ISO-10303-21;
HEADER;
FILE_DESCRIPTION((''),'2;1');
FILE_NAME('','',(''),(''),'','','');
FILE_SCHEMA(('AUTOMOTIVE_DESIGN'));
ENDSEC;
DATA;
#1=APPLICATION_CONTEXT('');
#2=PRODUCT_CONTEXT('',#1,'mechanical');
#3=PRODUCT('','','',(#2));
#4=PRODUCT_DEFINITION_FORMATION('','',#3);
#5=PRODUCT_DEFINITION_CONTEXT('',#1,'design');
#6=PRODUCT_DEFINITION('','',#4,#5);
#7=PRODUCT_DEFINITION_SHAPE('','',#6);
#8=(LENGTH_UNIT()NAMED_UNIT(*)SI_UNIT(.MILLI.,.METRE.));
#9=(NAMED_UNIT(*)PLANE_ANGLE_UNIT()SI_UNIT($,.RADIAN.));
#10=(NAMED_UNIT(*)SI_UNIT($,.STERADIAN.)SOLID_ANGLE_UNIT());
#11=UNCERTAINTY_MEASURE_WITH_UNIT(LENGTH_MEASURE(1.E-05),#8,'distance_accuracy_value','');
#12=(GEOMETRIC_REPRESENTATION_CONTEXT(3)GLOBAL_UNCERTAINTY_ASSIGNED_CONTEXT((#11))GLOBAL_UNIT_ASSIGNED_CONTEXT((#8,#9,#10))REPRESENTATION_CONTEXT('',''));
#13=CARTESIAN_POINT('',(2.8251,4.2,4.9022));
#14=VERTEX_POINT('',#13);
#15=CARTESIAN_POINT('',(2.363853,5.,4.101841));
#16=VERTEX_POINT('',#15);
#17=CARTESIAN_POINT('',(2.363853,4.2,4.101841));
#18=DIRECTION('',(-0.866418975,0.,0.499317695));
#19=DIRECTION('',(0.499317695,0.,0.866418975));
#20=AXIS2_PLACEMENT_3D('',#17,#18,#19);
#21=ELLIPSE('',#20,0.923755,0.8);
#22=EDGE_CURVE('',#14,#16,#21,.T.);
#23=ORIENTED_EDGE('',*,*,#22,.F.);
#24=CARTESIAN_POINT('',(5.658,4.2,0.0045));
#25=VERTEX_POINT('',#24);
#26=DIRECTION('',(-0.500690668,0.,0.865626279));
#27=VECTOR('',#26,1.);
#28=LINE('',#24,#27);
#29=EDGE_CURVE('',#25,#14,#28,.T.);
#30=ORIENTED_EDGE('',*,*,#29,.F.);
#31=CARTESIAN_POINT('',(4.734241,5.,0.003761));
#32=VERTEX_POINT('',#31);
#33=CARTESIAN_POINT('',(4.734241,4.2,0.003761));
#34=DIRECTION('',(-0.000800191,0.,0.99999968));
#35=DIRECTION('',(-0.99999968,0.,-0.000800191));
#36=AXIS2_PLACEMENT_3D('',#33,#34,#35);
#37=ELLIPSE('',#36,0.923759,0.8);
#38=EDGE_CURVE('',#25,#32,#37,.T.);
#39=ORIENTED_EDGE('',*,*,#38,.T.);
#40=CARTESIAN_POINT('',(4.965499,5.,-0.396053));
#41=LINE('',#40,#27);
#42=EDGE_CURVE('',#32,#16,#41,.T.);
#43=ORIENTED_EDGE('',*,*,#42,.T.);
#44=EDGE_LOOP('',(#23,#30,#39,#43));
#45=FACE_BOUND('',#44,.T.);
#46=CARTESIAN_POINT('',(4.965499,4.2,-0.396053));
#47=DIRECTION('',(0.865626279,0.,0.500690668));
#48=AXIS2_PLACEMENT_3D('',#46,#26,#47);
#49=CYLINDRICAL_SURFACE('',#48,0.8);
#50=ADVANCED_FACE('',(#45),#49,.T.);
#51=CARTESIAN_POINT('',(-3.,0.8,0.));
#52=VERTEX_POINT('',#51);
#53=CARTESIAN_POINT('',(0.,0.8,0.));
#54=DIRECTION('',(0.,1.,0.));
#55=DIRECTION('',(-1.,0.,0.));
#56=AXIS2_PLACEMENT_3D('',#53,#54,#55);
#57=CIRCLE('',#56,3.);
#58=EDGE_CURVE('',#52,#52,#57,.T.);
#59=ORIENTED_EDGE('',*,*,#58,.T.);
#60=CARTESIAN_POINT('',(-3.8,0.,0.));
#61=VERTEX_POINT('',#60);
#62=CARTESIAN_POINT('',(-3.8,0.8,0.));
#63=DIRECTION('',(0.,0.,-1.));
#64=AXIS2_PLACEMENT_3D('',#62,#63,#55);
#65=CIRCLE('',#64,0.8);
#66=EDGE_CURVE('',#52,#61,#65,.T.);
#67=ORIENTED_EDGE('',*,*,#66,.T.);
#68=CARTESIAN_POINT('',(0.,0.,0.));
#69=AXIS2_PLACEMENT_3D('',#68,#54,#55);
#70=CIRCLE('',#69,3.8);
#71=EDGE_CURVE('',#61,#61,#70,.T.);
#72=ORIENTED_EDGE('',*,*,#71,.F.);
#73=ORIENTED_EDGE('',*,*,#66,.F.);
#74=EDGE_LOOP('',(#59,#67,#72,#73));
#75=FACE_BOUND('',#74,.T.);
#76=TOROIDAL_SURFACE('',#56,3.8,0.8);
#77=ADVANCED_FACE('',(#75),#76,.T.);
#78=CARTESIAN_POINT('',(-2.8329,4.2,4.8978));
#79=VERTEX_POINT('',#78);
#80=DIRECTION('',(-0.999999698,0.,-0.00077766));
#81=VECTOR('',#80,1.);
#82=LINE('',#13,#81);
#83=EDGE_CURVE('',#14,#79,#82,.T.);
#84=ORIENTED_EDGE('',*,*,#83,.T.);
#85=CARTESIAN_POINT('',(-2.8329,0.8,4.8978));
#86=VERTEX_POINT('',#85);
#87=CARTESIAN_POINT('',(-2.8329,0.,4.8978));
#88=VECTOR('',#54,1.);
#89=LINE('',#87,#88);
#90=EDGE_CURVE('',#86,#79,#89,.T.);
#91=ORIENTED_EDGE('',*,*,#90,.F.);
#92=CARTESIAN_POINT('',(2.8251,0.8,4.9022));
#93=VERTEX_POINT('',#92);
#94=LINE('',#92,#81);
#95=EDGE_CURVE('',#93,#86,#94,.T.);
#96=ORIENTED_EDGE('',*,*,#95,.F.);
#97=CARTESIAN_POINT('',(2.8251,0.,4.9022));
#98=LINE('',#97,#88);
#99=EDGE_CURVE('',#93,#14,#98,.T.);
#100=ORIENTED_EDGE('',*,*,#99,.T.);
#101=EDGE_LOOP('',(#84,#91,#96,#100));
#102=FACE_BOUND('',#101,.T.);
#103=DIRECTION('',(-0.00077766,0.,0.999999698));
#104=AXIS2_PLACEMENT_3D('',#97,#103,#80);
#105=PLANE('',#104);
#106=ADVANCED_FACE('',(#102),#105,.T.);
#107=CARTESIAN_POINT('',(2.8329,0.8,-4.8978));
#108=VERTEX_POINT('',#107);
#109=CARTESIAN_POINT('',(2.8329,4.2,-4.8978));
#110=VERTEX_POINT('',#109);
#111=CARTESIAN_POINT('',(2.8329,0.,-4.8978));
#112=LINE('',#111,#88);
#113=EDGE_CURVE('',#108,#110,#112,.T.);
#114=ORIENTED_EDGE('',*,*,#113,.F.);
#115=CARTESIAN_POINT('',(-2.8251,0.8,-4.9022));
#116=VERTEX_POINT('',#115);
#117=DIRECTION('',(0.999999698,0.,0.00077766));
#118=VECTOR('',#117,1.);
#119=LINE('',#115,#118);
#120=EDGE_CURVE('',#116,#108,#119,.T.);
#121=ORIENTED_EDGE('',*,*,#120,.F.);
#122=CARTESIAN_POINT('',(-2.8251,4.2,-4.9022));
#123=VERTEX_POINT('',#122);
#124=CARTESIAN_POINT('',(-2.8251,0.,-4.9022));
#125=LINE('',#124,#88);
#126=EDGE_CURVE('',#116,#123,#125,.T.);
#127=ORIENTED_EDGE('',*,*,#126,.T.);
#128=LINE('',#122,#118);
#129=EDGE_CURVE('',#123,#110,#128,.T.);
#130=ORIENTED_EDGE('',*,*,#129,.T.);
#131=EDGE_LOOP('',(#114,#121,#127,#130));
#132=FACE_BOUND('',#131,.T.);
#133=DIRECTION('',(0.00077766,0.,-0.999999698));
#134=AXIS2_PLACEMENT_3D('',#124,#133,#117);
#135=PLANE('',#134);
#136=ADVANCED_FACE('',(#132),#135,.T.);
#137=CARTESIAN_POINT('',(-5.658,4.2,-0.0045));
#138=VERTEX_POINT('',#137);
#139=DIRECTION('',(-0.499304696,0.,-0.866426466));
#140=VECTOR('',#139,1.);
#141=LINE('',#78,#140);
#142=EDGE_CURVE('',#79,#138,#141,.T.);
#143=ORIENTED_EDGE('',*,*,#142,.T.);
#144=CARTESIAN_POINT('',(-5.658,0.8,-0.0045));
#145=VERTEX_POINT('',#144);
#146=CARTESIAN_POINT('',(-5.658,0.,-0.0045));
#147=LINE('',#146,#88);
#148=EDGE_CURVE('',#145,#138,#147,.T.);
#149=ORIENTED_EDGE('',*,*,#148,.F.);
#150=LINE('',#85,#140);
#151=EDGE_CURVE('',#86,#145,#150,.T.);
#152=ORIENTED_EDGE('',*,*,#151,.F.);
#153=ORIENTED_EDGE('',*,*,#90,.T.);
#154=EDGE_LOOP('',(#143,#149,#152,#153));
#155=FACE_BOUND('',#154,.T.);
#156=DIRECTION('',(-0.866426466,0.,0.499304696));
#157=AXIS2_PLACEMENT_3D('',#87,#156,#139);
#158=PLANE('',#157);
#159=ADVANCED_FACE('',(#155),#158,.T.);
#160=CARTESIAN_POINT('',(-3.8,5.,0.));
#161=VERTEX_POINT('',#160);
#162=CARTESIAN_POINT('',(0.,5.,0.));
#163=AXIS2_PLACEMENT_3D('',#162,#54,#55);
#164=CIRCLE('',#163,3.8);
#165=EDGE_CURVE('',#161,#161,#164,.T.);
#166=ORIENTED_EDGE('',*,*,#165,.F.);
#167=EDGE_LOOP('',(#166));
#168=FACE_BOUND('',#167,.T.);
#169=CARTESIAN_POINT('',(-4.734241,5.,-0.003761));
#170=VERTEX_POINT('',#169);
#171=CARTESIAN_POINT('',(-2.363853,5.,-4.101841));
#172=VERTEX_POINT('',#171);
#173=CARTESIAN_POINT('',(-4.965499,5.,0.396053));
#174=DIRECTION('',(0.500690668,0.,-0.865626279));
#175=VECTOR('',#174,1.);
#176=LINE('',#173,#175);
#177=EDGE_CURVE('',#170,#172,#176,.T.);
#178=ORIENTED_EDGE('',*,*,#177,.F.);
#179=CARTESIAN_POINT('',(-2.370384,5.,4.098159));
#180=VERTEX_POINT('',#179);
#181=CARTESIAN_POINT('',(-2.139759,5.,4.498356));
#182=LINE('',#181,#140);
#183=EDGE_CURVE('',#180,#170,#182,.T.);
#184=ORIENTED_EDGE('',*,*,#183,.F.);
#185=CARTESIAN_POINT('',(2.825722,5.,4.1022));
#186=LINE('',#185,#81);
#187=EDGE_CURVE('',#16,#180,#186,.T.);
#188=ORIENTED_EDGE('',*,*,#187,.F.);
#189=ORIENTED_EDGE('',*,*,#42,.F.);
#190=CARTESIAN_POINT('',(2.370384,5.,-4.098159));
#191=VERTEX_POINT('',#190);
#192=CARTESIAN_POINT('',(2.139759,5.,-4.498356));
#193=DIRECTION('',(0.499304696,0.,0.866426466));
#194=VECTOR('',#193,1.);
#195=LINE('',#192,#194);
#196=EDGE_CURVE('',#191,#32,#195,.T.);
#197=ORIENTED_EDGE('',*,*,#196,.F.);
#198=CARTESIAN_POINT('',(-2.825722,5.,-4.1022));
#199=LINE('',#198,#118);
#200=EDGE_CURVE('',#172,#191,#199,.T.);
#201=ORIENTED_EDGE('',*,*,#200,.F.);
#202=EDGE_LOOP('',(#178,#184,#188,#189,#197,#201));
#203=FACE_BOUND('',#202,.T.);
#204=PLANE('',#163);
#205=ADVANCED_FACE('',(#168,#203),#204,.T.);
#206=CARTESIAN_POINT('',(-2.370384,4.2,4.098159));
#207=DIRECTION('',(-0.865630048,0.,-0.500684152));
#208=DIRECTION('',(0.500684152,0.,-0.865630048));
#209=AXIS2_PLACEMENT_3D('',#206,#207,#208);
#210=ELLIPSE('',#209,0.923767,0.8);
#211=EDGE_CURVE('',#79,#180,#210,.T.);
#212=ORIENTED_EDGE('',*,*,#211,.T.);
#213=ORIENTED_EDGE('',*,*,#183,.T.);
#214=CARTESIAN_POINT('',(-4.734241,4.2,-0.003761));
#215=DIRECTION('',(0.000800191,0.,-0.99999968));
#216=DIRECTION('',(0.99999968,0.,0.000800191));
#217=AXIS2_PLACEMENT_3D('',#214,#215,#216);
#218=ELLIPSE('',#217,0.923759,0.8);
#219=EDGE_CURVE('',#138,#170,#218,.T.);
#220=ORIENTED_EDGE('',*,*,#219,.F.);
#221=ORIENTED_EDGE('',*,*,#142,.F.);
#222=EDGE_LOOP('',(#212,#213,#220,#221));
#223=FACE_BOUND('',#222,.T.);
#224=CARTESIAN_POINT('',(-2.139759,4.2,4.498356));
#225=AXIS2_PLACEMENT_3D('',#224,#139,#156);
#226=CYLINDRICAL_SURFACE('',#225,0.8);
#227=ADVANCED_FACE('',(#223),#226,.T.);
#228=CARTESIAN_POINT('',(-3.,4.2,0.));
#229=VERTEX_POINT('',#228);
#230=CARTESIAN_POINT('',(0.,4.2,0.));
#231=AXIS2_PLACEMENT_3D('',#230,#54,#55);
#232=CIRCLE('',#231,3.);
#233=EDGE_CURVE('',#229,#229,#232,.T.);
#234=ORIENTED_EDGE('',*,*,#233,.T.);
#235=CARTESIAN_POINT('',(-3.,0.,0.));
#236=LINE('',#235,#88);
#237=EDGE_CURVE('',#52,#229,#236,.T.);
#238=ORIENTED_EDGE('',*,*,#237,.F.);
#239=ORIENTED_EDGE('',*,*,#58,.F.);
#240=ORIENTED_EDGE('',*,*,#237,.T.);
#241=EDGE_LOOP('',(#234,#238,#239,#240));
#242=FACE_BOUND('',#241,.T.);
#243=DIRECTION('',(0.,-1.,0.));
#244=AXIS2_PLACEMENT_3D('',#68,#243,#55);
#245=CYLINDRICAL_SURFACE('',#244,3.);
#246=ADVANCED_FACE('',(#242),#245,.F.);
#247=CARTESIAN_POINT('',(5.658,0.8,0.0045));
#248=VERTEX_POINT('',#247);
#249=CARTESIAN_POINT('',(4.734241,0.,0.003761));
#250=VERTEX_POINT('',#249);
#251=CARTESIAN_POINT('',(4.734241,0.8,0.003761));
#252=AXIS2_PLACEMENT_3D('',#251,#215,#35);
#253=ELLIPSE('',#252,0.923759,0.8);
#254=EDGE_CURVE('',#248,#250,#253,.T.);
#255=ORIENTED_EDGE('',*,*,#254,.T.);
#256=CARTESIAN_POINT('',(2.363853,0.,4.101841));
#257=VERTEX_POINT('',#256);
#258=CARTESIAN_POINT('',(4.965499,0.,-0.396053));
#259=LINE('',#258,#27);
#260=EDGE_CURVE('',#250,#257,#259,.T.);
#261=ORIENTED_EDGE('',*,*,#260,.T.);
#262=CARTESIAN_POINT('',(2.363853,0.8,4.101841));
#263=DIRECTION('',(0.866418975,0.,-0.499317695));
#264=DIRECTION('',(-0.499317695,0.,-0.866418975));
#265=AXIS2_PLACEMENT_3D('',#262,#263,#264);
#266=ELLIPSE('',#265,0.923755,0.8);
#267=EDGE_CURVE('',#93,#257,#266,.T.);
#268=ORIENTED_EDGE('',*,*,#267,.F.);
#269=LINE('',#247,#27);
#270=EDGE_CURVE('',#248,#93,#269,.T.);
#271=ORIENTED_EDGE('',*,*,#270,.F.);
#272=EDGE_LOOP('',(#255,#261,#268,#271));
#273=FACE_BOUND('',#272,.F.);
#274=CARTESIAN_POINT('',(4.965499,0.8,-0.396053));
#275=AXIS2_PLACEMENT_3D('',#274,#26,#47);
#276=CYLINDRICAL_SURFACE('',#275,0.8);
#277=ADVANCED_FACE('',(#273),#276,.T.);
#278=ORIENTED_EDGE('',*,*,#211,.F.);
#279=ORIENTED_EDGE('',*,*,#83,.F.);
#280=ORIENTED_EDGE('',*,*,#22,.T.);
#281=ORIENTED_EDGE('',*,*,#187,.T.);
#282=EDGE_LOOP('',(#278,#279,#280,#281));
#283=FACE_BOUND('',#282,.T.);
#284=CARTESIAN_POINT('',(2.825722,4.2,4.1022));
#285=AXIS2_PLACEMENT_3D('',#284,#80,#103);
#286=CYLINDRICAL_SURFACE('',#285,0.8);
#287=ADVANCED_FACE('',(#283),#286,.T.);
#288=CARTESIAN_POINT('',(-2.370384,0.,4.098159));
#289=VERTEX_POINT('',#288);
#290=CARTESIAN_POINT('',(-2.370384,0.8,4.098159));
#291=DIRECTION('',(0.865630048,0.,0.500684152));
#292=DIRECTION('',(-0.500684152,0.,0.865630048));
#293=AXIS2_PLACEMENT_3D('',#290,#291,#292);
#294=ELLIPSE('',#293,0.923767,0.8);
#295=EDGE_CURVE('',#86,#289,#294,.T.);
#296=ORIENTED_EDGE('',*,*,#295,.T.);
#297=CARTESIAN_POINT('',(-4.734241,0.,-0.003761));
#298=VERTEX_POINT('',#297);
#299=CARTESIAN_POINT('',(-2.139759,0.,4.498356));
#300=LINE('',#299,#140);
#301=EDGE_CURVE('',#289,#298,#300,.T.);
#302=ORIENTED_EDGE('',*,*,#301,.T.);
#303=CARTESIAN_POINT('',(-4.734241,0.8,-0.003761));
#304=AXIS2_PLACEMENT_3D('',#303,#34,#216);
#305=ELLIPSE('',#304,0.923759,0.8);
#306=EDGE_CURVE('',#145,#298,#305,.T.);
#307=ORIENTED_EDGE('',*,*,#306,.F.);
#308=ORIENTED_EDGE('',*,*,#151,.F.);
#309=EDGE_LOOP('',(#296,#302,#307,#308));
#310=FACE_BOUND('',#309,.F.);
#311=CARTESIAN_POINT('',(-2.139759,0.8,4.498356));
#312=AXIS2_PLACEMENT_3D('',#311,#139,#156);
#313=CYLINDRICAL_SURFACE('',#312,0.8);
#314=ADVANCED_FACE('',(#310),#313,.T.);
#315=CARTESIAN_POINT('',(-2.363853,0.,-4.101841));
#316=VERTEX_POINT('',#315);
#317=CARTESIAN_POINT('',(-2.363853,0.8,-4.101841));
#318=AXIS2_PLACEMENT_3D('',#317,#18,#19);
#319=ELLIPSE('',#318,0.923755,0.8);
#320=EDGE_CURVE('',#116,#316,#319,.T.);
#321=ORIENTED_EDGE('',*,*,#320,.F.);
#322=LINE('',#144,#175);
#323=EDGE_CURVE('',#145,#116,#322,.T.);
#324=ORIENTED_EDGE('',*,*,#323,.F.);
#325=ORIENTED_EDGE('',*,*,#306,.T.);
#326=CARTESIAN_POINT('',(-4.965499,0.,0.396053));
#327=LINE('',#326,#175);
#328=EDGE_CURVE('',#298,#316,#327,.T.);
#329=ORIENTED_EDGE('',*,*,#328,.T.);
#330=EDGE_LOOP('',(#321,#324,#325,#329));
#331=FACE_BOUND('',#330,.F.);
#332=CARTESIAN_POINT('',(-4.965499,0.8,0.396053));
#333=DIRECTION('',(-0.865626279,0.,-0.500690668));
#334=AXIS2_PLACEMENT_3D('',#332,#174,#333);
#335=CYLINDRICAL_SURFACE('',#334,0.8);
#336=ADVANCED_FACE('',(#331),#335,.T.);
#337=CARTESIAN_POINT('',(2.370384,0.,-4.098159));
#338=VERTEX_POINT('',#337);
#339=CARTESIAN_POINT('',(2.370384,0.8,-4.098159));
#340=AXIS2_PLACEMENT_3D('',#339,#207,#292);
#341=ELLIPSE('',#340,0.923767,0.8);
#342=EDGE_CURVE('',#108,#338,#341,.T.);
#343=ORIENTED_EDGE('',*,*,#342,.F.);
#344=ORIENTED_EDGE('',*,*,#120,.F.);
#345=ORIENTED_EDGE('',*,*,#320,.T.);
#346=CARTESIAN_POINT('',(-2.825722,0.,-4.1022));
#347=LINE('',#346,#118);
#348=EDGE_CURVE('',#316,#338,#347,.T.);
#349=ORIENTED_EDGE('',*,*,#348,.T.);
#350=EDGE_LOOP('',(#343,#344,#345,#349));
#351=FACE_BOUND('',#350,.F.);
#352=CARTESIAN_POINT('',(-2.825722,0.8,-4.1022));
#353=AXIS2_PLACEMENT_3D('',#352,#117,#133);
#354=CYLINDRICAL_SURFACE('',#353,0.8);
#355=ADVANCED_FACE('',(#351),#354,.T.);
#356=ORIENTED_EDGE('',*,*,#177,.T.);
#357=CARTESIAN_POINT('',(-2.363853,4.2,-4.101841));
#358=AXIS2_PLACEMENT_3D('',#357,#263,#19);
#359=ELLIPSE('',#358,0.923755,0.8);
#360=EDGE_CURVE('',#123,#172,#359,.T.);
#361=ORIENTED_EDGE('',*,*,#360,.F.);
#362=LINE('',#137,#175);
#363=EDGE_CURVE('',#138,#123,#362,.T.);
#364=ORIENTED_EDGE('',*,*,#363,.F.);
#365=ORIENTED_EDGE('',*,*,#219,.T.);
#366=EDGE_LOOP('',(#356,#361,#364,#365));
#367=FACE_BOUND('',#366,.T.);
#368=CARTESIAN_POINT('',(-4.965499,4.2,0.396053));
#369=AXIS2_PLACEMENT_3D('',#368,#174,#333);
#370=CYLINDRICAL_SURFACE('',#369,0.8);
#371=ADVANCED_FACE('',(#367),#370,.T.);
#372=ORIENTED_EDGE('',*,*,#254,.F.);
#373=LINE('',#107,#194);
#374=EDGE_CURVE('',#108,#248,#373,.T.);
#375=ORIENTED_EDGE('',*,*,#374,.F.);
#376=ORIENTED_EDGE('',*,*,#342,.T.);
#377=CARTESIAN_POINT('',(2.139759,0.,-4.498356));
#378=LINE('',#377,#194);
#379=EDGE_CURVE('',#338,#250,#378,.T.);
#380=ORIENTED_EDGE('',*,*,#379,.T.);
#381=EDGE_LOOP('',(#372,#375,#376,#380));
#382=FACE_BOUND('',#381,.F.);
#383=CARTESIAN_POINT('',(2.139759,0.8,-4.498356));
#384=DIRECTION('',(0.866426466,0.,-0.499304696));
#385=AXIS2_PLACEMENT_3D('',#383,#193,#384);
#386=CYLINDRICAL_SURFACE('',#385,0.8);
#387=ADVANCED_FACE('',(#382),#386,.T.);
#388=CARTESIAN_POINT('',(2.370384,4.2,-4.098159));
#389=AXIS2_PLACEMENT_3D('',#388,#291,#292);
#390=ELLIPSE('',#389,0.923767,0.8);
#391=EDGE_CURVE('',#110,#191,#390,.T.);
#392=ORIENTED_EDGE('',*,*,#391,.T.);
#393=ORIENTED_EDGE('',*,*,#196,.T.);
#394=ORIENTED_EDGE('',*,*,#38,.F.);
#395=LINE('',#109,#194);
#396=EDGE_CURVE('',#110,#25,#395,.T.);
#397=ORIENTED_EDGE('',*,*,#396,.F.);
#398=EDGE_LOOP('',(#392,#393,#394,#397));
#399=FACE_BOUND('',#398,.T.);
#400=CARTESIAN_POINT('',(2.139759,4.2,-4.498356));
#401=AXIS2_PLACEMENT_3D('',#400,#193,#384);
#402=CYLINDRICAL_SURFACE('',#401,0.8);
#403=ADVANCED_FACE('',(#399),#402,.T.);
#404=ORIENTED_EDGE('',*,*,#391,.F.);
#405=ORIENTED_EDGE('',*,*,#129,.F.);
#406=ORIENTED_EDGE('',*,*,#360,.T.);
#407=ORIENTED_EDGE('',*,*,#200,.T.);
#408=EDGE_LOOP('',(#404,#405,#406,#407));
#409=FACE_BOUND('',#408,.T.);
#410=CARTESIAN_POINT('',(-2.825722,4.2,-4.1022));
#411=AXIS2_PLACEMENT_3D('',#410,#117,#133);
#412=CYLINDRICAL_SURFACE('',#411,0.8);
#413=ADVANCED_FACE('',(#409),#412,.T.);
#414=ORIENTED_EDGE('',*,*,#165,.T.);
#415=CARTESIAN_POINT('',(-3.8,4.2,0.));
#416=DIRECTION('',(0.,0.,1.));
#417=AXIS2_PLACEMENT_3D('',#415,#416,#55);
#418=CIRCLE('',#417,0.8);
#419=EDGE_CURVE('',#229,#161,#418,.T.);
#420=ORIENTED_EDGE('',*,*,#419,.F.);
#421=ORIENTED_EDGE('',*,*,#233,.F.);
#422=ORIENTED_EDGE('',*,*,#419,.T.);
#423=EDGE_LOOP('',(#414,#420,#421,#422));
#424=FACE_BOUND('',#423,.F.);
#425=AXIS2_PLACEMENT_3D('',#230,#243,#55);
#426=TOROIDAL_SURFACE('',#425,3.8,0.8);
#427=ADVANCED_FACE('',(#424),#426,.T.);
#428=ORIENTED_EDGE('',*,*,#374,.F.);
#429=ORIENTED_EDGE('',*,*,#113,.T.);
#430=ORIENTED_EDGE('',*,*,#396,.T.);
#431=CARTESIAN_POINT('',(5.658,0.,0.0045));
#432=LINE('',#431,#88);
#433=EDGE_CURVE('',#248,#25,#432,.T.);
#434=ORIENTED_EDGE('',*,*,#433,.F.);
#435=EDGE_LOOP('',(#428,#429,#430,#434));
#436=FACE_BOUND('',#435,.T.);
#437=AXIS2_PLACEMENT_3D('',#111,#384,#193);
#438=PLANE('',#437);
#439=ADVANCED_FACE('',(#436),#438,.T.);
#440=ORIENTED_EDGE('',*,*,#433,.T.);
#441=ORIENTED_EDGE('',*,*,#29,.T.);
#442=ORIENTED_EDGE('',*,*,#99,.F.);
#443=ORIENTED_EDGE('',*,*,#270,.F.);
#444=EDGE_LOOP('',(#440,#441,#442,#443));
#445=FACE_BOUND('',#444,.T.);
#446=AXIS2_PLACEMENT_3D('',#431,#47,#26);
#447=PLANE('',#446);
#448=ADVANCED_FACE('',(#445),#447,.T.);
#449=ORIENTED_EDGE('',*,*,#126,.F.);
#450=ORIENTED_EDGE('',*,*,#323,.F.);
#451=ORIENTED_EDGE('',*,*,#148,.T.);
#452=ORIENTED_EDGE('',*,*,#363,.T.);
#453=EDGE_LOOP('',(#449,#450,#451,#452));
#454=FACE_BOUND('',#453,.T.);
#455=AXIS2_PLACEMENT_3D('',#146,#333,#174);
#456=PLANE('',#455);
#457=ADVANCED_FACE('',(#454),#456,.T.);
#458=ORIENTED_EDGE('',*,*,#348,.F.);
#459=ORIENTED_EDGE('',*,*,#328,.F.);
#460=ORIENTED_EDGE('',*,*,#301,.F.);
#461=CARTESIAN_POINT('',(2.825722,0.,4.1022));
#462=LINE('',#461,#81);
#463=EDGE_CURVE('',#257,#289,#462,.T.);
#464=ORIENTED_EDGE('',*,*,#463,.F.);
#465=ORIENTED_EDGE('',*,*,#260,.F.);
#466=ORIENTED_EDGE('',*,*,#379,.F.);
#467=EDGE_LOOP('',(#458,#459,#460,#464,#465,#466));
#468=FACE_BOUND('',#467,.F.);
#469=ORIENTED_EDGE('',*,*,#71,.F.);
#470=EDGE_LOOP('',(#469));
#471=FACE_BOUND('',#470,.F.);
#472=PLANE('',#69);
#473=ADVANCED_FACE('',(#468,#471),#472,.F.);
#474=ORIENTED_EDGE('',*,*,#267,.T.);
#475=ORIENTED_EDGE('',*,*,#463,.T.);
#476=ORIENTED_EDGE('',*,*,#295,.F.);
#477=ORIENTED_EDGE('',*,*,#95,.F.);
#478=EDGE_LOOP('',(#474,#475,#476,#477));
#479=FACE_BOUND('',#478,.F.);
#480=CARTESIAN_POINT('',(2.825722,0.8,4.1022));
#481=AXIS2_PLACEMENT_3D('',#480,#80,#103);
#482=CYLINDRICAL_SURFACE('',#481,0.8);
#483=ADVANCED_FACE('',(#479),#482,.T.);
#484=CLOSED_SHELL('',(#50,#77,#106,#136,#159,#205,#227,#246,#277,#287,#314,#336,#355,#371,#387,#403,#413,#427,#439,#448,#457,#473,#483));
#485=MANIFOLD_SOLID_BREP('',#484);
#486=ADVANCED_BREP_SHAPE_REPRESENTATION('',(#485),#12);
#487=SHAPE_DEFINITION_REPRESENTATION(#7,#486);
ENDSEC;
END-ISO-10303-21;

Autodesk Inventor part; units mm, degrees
ref_plane "YZ Plane" through (0, 0, 0) normal (1, 0, 0) x (0, 1, 0)
sketch "Sketch1" plane through (0, 0, 0) normal (0, 1, 0) x (-1, 0, 0)
  line L0 (2.8251, -4.9022) -> (-2.8329, -4.8978)
  line L1 (-2.8329, -4.8978) -> (-5.658, 0.0045)
  line L2 (-5.658, 0.0045) -> (-2.8251, 4.9022)
  line L3 (-2.8251, 4.9022) -> (2.8329, 4.8978)
  line L4 (2.8329, 4.8978) -> (5.658, -0.0045)
  line L5 (5.658, -0.0045) -> (2.8251, -4.9022)
  circle A0 centre (0, 0) radius 3
  dimension "d0" = 9.8
  dimension "d1" = 6
extrude "Extrusion1" add sketch "Sketch1" along normal blind 5
fillet "Fillet1" radius 0.8 14 edges at (4.2416, 5, 2.4533) (4.2455, 5, -2.4467) (0.0039, 5, -4.9) (-4.2416, 5, -2.4533) (-4.2455, 5, 2.4467) (-0.0039, 5, 4.9) (-0.0039, 0, 4.9) (4.2416, 0, 2.4533) (4.2455, 0, -2.4467) (0.0039, 0, -4.9) (-4.2416, 0, -2.4533) (-4.2455, 0, 2.4467) (3, 5, 0) (3, 0, 0)
thread "Thread1" size "M6x1" class "6H" standard "ANSI Metric M Profile" full length
ref_plane "Work Plane1" through (0, 5, 0) normal (0, 1, 0) x (1, 0, 0)
ref_plane "Work Plane2" through (0, 0, 0) normal (0, -1, 0) x (1, 0, 0)
properties part number "m6nut"
